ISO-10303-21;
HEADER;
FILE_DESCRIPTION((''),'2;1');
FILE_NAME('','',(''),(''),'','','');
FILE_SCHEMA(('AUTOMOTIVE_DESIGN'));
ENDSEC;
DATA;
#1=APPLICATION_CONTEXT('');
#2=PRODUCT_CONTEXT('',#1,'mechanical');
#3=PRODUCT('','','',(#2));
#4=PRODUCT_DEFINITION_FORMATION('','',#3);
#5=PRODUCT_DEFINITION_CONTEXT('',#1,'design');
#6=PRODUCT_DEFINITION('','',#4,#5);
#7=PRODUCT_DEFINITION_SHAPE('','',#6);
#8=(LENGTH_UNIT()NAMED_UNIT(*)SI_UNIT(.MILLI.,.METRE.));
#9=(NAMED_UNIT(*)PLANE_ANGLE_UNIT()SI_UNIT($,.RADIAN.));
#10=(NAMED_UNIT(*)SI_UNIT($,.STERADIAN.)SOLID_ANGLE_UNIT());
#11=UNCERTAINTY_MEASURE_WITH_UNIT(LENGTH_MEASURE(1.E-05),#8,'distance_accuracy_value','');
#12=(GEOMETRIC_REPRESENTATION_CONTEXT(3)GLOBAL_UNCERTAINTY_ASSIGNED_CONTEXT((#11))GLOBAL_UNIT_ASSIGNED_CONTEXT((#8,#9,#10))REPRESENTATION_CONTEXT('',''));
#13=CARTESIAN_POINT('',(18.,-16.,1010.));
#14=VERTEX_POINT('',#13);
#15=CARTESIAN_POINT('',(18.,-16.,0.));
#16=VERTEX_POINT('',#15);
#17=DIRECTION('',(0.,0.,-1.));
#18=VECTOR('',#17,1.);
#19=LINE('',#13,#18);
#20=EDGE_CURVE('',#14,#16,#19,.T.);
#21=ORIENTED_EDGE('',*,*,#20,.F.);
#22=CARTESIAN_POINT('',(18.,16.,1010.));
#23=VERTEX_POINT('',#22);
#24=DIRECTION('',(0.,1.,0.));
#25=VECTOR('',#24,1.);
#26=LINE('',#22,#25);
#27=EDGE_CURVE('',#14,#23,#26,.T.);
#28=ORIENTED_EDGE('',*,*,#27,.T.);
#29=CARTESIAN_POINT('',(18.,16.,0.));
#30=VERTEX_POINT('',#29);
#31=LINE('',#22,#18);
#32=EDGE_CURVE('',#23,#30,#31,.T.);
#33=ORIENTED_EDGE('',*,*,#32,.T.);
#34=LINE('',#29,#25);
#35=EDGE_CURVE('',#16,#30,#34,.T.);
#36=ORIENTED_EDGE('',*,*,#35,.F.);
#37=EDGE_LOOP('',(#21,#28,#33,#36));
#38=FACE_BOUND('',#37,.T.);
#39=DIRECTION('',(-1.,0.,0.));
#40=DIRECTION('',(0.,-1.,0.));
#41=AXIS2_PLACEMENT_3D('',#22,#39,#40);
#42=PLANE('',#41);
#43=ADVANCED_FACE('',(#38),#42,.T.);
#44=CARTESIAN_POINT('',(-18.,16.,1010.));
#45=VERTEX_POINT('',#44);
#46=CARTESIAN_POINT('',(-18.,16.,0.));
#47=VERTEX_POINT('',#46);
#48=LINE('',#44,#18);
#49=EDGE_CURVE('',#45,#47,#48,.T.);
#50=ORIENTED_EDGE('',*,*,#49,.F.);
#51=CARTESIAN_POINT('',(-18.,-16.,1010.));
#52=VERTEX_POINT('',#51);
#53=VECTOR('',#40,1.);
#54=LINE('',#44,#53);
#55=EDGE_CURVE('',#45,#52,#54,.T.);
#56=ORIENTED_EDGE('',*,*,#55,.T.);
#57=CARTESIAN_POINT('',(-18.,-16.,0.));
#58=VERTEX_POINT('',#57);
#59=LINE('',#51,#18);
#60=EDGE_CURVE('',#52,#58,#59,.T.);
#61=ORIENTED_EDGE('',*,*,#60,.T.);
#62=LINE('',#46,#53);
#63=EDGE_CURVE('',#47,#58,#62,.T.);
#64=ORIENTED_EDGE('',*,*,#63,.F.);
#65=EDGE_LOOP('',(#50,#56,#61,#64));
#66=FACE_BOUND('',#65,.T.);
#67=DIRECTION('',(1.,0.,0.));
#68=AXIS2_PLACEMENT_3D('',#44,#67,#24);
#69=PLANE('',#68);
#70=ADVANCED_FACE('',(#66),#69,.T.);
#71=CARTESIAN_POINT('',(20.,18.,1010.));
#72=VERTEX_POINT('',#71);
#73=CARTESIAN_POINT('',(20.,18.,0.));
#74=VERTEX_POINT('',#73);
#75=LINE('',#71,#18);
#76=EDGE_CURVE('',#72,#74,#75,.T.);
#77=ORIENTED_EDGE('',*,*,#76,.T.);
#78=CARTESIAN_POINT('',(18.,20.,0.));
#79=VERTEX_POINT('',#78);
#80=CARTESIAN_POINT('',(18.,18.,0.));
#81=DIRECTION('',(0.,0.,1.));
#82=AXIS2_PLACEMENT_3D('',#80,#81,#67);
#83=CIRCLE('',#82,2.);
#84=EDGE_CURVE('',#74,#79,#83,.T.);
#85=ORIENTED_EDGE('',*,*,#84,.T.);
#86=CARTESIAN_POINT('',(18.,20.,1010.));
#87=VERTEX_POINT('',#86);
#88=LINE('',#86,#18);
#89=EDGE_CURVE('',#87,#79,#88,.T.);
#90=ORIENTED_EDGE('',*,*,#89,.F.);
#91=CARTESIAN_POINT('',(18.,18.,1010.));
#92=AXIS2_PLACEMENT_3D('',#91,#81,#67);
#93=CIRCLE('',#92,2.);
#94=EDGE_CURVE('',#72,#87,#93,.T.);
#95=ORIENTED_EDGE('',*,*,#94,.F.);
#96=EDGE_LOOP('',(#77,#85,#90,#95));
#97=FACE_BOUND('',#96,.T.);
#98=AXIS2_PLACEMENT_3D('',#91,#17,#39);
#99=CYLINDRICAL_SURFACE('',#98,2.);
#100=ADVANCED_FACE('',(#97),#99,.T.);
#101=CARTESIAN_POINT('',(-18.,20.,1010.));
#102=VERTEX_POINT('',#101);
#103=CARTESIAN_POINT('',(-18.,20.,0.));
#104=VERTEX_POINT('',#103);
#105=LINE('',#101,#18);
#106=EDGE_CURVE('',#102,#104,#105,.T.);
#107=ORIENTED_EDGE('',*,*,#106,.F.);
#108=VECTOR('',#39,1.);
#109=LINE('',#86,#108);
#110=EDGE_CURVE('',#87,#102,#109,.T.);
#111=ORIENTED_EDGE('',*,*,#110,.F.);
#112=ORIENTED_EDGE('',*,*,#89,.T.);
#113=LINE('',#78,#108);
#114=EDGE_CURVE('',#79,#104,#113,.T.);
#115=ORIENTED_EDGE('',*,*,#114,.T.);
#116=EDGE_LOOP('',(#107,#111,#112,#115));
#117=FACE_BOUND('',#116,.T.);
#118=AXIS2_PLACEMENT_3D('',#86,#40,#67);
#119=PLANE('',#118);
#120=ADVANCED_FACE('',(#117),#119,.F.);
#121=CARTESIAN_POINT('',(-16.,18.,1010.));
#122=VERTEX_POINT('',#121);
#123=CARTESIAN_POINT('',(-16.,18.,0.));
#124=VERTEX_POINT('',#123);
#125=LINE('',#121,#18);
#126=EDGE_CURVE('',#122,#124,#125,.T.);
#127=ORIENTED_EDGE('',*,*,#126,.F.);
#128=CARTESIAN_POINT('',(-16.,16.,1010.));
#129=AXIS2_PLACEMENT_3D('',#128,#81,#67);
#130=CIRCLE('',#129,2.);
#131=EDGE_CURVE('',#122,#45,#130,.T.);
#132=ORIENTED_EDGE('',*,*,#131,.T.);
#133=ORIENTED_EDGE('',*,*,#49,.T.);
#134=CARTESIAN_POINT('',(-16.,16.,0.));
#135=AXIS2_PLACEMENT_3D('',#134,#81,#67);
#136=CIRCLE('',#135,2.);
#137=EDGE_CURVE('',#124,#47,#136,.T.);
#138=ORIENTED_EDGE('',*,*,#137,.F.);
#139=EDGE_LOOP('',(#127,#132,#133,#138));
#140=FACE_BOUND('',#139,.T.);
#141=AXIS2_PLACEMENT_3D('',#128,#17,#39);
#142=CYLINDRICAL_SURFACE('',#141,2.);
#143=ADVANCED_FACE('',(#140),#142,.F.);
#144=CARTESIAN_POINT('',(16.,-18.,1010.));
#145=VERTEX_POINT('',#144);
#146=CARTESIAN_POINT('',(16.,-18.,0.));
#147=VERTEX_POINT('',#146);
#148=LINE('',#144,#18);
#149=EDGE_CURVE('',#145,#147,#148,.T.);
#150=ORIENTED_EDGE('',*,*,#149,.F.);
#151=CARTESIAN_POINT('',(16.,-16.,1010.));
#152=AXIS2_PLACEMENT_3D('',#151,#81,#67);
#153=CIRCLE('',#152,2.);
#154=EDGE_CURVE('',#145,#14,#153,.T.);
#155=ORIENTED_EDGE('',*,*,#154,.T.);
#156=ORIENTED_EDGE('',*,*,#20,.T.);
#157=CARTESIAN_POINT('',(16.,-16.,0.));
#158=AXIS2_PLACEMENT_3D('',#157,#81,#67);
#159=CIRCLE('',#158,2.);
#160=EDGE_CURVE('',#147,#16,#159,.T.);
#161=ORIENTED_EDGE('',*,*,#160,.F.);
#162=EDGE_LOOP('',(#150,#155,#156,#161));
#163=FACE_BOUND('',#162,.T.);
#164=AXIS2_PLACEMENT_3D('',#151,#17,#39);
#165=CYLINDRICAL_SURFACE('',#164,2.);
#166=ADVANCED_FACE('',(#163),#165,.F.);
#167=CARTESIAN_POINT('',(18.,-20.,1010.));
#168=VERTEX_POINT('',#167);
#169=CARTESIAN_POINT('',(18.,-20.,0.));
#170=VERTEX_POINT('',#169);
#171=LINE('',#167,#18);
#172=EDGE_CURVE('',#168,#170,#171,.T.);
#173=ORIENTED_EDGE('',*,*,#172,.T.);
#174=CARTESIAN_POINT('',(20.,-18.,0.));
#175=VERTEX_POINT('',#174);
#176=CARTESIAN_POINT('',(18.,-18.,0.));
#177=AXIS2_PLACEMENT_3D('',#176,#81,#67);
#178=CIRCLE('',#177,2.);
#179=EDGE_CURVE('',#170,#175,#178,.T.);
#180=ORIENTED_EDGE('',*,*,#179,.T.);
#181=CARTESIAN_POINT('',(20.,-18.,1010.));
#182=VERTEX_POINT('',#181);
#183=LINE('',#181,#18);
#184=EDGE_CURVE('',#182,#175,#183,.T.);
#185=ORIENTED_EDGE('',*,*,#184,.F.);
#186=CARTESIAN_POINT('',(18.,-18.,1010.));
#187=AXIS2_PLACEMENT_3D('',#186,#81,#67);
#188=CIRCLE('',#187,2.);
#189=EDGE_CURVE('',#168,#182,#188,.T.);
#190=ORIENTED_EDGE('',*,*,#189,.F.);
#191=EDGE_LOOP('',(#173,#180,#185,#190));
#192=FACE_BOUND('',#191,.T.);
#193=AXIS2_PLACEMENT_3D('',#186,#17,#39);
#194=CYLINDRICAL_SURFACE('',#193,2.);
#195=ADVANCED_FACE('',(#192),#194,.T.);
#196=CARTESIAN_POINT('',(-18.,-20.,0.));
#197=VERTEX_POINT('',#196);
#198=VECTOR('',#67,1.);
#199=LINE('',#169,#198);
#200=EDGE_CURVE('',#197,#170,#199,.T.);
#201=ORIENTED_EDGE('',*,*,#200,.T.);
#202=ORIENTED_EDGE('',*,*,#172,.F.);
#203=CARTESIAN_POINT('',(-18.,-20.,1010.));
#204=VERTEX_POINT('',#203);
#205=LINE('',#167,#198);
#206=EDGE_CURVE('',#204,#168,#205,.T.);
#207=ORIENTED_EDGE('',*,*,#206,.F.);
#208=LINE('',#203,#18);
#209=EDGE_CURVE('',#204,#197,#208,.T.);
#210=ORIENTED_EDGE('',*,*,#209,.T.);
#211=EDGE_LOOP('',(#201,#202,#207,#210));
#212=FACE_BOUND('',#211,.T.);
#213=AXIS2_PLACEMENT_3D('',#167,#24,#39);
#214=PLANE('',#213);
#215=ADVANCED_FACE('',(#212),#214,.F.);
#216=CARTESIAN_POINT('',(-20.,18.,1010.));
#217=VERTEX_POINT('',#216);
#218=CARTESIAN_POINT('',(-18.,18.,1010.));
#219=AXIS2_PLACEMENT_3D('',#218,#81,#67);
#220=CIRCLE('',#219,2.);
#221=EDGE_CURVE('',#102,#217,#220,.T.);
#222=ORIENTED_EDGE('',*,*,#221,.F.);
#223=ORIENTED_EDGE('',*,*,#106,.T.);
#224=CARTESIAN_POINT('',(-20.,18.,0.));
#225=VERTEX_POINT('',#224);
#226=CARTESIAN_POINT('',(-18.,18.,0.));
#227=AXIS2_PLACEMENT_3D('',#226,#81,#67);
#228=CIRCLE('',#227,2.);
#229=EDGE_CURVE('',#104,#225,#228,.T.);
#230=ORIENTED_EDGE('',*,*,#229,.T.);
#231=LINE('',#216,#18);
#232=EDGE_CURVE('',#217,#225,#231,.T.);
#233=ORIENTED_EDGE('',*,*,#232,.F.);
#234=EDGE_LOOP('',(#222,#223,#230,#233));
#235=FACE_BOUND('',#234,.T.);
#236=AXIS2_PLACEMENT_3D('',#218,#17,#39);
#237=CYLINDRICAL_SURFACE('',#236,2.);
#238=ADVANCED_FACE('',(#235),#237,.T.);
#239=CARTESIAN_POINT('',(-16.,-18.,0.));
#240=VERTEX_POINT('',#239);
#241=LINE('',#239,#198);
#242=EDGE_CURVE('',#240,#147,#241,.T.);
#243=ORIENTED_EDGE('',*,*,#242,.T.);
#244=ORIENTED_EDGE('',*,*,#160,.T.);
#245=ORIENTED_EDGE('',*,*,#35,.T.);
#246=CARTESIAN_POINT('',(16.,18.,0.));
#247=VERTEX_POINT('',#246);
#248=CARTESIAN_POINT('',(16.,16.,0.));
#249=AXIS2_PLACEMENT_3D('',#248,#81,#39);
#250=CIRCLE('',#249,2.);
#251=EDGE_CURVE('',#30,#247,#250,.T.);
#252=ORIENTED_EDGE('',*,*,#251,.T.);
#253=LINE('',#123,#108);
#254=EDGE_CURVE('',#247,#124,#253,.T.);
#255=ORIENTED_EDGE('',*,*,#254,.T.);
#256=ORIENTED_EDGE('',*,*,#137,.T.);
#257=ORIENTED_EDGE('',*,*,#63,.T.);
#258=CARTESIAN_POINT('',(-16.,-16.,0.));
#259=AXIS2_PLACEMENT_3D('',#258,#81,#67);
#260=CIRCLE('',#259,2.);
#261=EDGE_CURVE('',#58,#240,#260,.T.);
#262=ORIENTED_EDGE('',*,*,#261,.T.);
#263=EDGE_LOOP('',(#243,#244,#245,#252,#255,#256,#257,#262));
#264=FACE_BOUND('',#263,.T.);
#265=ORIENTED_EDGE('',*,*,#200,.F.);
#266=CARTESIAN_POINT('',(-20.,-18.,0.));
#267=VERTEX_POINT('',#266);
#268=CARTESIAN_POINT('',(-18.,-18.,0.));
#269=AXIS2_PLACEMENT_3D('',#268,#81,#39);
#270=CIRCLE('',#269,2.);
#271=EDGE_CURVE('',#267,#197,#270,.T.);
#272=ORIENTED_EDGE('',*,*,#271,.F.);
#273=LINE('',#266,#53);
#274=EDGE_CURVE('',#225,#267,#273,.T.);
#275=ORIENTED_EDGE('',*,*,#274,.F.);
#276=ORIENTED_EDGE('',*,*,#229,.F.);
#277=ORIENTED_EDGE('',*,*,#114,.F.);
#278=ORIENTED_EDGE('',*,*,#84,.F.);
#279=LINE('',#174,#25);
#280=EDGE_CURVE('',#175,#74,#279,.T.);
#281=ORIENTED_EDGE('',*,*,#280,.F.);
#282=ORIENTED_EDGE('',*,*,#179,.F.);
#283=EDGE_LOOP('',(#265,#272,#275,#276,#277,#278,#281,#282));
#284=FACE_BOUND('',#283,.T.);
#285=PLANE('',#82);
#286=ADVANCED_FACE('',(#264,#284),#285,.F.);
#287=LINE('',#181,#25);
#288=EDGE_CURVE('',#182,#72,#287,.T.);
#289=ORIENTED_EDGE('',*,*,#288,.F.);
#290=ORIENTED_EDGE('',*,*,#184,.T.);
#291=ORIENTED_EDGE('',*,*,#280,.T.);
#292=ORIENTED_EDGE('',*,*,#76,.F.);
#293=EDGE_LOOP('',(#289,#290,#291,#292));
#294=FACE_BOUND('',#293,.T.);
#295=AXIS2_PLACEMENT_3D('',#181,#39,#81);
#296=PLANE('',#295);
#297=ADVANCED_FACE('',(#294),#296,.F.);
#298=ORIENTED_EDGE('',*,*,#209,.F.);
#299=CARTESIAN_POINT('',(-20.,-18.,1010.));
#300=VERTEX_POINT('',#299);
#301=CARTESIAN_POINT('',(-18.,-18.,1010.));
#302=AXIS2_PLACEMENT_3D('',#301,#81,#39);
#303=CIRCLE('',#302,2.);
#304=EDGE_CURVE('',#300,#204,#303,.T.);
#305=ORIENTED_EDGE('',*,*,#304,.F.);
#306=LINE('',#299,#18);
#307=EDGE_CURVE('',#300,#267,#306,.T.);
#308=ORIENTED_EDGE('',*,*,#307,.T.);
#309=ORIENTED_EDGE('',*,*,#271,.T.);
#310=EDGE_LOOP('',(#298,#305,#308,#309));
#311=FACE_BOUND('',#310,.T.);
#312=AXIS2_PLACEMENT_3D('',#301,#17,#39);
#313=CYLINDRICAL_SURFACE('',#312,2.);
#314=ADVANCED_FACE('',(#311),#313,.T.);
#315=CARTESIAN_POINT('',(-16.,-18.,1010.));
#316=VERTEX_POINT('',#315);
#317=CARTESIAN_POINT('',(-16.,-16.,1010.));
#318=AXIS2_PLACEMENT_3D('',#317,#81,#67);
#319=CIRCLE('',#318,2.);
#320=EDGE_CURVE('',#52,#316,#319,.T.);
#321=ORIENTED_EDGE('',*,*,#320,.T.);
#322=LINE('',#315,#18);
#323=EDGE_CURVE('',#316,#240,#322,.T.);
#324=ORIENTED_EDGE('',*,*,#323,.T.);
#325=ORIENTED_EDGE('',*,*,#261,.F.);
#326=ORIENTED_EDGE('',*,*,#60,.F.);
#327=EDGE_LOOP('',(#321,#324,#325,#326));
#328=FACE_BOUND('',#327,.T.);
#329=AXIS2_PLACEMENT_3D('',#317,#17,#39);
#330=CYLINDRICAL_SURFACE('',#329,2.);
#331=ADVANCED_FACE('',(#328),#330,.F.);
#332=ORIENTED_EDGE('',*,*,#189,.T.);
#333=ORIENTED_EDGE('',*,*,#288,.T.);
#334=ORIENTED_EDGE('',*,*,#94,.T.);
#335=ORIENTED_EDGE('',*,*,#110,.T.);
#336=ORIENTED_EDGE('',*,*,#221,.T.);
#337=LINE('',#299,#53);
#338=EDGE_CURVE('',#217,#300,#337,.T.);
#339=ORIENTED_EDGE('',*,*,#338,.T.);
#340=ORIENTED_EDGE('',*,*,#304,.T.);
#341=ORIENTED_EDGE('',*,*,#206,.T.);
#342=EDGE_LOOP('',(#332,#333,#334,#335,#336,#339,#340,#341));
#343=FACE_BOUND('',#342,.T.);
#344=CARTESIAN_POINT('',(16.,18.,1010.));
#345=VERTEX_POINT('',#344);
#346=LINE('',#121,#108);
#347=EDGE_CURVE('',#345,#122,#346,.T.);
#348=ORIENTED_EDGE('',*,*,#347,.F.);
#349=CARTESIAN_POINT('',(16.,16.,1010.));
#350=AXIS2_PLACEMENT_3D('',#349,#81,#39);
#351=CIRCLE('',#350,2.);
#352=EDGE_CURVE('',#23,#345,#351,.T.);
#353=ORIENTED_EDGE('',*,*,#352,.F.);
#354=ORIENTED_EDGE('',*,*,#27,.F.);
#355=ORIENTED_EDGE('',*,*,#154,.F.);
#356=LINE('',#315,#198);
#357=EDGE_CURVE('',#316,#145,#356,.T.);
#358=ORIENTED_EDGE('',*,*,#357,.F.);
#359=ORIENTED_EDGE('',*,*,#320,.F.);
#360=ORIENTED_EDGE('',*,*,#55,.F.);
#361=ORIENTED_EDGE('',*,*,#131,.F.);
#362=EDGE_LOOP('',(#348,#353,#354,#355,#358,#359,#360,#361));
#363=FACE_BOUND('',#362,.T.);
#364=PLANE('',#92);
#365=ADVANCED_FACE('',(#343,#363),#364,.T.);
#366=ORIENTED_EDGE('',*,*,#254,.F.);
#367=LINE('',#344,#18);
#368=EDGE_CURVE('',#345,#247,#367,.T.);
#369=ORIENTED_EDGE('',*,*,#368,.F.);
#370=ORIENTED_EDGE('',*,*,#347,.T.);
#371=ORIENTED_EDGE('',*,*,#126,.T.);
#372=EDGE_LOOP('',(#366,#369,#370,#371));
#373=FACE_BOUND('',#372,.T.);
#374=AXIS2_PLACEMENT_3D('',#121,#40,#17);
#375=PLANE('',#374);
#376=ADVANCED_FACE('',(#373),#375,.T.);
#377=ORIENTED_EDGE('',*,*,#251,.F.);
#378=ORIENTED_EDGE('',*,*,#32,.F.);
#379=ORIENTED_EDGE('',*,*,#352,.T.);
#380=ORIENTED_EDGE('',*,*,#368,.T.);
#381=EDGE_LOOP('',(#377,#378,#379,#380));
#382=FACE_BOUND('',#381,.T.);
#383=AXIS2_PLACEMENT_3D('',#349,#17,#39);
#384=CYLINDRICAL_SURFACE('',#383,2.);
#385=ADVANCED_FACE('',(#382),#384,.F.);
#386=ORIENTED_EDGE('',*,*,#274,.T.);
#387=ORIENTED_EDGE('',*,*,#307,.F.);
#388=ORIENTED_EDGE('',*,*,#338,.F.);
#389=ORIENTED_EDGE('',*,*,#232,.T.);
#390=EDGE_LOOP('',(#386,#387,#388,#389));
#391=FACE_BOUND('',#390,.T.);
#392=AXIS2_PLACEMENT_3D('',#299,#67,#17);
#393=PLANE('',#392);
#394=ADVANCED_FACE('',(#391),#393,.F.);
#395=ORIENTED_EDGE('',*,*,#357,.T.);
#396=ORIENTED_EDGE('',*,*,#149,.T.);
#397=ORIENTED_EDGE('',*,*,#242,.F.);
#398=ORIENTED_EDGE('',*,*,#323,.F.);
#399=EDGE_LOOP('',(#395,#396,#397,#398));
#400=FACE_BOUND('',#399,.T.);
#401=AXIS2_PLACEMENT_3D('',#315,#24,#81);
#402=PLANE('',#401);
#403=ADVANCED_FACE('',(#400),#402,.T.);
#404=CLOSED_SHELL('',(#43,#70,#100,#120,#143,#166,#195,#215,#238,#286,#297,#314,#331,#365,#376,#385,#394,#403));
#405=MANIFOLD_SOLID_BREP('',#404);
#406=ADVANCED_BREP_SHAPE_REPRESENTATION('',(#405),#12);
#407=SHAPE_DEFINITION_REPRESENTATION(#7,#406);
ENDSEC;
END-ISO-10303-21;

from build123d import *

# Parameters (mm, degrees)
EXTRUDE_1_DEPTH = 1010


with BuildPart() as part:
    # Эскиз1 → Бобышка-Вытянуть1 (new body)
    with BuildSketch(Plane.XY):
        with BuildLine():
            Line((18, -20), (-18, -20))
            ThreePointArc((-18, -20), (-19.414213562, -19.414213562), (-20, -18))
            Line((-20, -18), (-20, 18))
            ThreePointArc((-20, 18), (-19.414213562, 19.414213562), (-18, 20))
            Line((-18, 20), (18, 20))
            ThreePointArc((18, 20), (19.414213562, 19.414213562), (20, 18))
            Line((20, 18), (20, -18))
            ThreePointArc((20, -18), (19.414213562, -19.414213562), (18, -20))
        make_face()
        with BuildLine():
            Line((-16, 18), (16, 18))
            ThreePointArc((16, 18), (17.414213562, 17.414213562), (18, 16))
            Line((18, 16), (18, -16))
            ThreePointArc((18, -16), (17.414213562, -17.414213562), (16, -18))
            Line((16, -18), (-16, -18))
            ThreePointArc((-16, -18), (-17.414213562, -17.414213562), (-18, -16))
            Line((-18, -16), (-18, 16))
            ThreePointArc((-18, 16), (-17.414213562, 17.414213562), (-16, 18))
        make_face(mode=Mode.SUBTRACT)
    extrude(amount=EXTRUDE_1_DEPTH)


solid = part.part
